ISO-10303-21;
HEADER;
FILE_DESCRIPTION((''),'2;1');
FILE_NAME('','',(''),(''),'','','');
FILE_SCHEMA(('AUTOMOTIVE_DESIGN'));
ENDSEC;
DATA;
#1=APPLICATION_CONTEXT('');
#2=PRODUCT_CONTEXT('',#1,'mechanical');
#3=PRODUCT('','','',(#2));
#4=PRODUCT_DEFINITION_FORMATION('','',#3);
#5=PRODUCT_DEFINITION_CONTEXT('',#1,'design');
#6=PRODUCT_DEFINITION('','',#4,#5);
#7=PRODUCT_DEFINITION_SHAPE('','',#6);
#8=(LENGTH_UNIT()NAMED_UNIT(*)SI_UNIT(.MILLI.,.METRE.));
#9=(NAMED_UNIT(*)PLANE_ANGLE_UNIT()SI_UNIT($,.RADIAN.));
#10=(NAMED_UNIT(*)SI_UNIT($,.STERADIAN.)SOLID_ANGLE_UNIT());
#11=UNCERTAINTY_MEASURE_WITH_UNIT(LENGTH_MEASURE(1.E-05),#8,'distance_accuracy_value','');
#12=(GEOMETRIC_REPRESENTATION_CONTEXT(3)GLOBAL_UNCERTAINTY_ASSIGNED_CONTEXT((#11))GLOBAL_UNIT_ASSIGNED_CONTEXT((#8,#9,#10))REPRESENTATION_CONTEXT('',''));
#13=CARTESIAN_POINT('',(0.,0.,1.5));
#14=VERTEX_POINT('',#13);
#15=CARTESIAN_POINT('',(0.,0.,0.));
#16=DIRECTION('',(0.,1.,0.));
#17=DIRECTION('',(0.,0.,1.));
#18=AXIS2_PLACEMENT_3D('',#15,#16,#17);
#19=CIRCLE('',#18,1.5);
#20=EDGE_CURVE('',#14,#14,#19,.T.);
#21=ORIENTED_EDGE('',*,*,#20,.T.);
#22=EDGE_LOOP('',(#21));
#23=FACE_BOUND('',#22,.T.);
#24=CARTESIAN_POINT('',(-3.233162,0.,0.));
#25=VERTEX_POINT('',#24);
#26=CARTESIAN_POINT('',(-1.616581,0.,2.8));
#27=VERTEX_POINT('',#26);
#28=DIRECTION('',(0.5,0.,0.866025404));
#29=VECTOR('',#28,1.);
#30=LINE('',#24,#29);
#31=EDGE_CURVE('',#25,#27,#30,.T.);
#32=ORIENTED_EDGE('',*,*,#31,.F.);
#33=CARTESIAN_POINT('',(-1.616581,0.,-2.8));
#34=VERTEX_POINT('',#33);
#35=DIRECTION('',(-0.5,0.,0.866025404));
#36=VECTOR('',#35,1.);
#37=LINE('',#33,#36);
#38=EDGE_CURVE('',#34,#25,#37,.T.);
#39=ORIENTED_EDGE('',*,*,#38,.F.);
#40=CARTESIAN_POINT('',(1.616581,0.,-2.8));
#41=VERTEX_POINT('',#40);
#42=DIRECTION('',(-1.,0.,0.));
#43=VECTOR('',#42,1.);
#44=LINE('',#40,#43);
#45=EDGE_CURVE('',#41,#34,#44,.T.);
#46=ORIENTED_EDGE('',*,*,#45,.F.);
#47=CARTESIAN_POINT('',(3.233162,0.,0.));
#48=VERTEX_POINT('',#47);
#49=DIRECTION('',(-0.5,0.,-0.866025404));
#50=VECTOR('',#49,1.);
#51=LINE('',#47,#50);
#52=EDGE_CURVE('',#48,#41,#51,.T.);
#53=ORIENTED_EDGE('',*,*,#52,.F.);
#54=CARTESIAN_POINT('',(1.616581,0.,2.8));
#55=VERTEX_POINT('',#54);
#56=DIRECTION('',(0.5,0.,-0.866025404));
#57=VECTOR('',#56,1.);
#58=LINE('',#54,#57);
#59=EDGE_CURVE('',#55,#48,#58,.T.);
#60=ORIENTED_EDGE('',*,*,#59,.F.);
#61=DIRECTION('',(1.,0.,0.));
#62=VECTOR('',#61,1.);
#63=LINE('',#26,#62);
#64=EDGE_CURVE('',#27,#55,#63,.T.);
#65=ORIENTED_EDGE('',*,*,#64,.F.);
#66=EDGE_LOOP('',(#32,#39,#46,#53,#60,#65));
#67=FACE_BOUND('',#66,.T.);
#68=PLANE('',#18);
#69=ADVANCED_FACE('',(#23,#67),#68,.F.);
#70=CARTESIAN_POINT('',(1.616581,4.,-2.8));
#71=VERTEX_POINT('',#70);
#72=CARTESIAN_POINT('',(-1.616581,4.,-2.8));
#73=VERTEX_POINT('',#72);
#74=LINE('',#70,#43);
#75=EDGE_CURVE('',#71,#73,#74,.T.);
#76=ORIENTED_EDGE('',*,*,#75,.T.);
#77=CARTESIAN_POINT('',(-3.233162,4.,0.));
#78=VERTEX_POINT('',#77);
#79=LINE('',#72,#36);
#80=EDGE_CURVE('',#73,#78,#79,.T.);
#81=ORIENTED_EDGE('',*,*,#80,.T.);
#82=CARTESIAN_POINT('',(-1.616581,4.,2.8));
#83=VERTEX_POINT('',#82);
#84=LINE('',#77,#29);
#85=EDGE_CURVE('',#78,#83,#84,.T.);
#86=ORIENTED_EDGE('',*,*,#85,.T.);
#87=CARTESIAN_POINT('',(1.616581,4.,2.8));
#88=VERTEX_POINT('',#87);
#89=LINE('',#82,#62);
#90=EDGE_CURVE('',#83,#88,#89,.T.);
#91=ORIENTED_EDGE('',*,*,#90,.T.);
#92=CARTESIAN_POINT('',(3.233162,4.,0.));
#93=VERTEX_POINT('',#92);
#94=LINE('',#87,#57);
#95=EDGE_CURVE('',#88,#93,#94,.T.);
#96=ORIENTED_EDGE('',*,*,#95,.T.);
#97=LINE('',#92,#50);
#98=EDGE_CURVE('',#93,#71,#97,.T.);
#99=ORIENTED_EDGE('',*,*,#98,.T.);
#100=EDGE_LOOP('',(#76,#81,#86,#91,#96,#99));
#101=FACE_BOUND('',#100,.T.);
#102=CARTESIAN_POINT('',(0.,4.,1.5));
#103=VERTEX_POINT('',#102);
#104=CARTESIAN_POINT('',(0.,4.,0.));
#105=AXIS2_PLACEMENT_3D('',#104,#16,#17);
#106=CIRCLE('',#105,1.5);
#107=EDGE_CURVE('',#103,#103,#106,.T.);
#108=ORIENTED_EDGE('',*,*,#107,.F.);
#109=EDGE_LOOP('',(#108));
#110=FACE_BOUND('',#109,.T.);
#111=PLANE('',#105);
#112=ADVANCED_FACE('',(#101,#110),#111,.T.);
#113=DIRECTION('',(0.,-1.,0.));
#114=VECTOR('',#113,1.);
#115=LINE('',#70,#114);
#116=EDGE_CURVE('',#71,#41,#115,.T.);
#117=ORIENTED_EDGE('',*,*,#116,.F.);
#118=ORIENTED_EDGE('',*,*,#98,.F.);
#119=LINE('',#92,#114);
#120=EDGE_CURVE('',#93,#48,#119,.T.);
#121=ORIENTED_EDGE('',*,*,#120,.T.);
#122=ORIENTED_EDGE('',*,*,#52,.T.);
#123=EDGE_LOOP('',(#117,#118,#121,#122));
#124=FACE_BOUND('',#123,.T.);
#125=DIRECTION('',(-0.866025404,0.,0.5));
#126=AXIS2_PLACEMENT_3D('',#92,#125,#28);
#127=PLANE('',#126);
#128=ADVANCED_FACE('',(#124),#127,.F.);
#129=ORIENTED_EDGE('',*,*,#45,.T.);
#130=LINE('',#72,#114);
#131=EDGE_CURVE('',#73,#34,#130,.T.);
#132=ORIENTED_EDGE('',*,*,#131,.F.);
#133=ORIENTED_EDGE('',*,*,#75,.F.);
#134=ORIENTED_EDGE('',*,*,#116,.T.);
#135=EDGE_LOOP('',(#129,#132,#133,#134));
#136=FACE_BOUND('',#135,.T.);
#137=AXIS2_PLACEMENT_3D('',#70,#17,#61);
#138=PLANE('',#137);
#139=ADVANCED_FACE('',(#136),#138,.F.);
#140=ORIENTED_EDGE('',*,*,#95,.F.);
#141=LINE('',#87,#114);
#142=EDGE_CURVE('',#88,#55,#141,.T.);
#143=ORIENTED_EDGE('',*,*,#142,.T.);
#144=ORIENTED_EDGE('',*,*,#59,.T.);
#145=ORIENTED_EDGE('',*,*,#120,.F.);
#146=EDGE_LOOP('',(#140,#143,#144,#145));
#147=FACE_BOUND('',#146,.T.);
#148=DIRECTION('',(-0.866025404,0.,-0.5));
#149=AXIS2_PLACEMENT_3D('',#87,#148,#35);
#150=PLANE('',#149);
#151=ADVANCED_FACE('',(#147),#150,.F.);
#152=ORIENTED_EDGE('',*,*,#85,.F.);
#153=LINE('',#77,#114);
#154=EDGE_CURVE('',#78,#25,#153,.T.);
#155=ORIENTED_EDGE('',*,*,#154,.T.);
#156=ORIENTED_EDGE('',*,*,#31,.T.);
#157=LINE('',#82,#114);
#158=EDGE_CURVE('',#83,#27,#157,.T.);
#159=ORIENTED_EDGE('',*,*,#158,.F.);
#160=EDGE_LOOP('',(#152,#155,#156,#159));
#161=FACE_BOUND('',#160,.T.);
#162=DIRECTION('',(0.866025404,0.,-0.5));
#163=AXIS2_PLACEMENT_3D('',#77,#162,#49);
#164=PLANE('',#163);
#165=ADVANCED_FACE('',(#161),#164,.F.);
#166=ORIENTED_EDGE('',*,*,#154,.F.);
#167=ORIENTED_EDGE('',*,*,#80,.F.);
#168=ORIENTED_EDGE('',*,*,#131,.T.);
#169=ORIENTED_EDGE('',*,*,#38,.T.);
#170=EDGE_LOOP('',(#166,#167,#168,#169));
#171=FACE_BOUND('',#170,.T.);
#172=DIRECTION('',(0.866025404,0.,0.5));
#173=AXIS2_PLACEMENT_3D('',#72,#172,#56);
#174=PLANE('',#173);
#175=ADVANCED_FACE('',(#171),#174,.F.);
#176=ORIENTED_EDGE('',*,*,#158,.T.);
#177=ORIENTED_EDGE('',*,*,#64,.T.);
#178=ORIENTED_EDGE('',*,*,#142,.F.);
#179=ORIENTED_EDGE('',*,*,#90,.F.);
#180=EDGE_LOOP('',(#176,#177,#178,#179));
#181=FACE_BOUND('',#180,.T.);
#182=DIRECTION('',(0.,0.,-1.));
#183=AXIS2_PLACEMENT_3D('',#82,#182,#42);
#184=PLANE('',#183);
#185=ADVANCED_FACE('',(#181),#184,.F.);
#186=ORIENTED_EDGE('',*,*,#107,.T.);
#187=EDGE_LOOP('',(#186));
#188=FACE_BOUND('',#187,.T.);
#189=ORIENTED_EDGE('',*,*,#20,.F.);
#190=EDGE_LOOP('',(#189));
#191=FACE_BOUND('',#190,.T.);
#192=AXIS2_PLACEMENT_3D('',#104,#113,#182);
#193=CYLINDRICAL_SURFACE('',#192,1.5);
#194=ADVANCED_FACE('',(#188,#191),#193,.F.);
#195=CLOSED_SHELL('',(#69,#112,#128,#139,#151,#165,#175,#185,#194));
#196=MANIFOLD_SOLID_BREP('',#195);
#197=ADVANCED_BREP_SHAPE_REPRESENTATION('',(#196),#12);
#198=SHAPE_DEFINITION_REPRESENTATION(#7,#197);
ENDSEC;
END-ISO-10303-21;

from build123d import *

# Parameters (mm, degrees)
SKETCH_1_R      = 1.5
EXTRUDE_1_DEPTH = 4


with BuildPart() as part:
    # 草图1 → 凸台-拉伸1 (new body)
    with BuildSketch(Plane(origin=(0, 0, 0), x_dir=(1, 0, 0), z_dir=(0, 1, 0))):
        Polygon((3.233161507, 0), (1.616580754, 2.8), (-1.616580754, 2.8), (-3.233161507, 0), (-1.616580754, -2.8), (1.616580754, -2.8), align=None)
        Circle(SKETCH_1_R, mode=Mode.SUBTRACT)
    extrude(amount=EXTRUDE_1_DEPTH)


solid = part.part
